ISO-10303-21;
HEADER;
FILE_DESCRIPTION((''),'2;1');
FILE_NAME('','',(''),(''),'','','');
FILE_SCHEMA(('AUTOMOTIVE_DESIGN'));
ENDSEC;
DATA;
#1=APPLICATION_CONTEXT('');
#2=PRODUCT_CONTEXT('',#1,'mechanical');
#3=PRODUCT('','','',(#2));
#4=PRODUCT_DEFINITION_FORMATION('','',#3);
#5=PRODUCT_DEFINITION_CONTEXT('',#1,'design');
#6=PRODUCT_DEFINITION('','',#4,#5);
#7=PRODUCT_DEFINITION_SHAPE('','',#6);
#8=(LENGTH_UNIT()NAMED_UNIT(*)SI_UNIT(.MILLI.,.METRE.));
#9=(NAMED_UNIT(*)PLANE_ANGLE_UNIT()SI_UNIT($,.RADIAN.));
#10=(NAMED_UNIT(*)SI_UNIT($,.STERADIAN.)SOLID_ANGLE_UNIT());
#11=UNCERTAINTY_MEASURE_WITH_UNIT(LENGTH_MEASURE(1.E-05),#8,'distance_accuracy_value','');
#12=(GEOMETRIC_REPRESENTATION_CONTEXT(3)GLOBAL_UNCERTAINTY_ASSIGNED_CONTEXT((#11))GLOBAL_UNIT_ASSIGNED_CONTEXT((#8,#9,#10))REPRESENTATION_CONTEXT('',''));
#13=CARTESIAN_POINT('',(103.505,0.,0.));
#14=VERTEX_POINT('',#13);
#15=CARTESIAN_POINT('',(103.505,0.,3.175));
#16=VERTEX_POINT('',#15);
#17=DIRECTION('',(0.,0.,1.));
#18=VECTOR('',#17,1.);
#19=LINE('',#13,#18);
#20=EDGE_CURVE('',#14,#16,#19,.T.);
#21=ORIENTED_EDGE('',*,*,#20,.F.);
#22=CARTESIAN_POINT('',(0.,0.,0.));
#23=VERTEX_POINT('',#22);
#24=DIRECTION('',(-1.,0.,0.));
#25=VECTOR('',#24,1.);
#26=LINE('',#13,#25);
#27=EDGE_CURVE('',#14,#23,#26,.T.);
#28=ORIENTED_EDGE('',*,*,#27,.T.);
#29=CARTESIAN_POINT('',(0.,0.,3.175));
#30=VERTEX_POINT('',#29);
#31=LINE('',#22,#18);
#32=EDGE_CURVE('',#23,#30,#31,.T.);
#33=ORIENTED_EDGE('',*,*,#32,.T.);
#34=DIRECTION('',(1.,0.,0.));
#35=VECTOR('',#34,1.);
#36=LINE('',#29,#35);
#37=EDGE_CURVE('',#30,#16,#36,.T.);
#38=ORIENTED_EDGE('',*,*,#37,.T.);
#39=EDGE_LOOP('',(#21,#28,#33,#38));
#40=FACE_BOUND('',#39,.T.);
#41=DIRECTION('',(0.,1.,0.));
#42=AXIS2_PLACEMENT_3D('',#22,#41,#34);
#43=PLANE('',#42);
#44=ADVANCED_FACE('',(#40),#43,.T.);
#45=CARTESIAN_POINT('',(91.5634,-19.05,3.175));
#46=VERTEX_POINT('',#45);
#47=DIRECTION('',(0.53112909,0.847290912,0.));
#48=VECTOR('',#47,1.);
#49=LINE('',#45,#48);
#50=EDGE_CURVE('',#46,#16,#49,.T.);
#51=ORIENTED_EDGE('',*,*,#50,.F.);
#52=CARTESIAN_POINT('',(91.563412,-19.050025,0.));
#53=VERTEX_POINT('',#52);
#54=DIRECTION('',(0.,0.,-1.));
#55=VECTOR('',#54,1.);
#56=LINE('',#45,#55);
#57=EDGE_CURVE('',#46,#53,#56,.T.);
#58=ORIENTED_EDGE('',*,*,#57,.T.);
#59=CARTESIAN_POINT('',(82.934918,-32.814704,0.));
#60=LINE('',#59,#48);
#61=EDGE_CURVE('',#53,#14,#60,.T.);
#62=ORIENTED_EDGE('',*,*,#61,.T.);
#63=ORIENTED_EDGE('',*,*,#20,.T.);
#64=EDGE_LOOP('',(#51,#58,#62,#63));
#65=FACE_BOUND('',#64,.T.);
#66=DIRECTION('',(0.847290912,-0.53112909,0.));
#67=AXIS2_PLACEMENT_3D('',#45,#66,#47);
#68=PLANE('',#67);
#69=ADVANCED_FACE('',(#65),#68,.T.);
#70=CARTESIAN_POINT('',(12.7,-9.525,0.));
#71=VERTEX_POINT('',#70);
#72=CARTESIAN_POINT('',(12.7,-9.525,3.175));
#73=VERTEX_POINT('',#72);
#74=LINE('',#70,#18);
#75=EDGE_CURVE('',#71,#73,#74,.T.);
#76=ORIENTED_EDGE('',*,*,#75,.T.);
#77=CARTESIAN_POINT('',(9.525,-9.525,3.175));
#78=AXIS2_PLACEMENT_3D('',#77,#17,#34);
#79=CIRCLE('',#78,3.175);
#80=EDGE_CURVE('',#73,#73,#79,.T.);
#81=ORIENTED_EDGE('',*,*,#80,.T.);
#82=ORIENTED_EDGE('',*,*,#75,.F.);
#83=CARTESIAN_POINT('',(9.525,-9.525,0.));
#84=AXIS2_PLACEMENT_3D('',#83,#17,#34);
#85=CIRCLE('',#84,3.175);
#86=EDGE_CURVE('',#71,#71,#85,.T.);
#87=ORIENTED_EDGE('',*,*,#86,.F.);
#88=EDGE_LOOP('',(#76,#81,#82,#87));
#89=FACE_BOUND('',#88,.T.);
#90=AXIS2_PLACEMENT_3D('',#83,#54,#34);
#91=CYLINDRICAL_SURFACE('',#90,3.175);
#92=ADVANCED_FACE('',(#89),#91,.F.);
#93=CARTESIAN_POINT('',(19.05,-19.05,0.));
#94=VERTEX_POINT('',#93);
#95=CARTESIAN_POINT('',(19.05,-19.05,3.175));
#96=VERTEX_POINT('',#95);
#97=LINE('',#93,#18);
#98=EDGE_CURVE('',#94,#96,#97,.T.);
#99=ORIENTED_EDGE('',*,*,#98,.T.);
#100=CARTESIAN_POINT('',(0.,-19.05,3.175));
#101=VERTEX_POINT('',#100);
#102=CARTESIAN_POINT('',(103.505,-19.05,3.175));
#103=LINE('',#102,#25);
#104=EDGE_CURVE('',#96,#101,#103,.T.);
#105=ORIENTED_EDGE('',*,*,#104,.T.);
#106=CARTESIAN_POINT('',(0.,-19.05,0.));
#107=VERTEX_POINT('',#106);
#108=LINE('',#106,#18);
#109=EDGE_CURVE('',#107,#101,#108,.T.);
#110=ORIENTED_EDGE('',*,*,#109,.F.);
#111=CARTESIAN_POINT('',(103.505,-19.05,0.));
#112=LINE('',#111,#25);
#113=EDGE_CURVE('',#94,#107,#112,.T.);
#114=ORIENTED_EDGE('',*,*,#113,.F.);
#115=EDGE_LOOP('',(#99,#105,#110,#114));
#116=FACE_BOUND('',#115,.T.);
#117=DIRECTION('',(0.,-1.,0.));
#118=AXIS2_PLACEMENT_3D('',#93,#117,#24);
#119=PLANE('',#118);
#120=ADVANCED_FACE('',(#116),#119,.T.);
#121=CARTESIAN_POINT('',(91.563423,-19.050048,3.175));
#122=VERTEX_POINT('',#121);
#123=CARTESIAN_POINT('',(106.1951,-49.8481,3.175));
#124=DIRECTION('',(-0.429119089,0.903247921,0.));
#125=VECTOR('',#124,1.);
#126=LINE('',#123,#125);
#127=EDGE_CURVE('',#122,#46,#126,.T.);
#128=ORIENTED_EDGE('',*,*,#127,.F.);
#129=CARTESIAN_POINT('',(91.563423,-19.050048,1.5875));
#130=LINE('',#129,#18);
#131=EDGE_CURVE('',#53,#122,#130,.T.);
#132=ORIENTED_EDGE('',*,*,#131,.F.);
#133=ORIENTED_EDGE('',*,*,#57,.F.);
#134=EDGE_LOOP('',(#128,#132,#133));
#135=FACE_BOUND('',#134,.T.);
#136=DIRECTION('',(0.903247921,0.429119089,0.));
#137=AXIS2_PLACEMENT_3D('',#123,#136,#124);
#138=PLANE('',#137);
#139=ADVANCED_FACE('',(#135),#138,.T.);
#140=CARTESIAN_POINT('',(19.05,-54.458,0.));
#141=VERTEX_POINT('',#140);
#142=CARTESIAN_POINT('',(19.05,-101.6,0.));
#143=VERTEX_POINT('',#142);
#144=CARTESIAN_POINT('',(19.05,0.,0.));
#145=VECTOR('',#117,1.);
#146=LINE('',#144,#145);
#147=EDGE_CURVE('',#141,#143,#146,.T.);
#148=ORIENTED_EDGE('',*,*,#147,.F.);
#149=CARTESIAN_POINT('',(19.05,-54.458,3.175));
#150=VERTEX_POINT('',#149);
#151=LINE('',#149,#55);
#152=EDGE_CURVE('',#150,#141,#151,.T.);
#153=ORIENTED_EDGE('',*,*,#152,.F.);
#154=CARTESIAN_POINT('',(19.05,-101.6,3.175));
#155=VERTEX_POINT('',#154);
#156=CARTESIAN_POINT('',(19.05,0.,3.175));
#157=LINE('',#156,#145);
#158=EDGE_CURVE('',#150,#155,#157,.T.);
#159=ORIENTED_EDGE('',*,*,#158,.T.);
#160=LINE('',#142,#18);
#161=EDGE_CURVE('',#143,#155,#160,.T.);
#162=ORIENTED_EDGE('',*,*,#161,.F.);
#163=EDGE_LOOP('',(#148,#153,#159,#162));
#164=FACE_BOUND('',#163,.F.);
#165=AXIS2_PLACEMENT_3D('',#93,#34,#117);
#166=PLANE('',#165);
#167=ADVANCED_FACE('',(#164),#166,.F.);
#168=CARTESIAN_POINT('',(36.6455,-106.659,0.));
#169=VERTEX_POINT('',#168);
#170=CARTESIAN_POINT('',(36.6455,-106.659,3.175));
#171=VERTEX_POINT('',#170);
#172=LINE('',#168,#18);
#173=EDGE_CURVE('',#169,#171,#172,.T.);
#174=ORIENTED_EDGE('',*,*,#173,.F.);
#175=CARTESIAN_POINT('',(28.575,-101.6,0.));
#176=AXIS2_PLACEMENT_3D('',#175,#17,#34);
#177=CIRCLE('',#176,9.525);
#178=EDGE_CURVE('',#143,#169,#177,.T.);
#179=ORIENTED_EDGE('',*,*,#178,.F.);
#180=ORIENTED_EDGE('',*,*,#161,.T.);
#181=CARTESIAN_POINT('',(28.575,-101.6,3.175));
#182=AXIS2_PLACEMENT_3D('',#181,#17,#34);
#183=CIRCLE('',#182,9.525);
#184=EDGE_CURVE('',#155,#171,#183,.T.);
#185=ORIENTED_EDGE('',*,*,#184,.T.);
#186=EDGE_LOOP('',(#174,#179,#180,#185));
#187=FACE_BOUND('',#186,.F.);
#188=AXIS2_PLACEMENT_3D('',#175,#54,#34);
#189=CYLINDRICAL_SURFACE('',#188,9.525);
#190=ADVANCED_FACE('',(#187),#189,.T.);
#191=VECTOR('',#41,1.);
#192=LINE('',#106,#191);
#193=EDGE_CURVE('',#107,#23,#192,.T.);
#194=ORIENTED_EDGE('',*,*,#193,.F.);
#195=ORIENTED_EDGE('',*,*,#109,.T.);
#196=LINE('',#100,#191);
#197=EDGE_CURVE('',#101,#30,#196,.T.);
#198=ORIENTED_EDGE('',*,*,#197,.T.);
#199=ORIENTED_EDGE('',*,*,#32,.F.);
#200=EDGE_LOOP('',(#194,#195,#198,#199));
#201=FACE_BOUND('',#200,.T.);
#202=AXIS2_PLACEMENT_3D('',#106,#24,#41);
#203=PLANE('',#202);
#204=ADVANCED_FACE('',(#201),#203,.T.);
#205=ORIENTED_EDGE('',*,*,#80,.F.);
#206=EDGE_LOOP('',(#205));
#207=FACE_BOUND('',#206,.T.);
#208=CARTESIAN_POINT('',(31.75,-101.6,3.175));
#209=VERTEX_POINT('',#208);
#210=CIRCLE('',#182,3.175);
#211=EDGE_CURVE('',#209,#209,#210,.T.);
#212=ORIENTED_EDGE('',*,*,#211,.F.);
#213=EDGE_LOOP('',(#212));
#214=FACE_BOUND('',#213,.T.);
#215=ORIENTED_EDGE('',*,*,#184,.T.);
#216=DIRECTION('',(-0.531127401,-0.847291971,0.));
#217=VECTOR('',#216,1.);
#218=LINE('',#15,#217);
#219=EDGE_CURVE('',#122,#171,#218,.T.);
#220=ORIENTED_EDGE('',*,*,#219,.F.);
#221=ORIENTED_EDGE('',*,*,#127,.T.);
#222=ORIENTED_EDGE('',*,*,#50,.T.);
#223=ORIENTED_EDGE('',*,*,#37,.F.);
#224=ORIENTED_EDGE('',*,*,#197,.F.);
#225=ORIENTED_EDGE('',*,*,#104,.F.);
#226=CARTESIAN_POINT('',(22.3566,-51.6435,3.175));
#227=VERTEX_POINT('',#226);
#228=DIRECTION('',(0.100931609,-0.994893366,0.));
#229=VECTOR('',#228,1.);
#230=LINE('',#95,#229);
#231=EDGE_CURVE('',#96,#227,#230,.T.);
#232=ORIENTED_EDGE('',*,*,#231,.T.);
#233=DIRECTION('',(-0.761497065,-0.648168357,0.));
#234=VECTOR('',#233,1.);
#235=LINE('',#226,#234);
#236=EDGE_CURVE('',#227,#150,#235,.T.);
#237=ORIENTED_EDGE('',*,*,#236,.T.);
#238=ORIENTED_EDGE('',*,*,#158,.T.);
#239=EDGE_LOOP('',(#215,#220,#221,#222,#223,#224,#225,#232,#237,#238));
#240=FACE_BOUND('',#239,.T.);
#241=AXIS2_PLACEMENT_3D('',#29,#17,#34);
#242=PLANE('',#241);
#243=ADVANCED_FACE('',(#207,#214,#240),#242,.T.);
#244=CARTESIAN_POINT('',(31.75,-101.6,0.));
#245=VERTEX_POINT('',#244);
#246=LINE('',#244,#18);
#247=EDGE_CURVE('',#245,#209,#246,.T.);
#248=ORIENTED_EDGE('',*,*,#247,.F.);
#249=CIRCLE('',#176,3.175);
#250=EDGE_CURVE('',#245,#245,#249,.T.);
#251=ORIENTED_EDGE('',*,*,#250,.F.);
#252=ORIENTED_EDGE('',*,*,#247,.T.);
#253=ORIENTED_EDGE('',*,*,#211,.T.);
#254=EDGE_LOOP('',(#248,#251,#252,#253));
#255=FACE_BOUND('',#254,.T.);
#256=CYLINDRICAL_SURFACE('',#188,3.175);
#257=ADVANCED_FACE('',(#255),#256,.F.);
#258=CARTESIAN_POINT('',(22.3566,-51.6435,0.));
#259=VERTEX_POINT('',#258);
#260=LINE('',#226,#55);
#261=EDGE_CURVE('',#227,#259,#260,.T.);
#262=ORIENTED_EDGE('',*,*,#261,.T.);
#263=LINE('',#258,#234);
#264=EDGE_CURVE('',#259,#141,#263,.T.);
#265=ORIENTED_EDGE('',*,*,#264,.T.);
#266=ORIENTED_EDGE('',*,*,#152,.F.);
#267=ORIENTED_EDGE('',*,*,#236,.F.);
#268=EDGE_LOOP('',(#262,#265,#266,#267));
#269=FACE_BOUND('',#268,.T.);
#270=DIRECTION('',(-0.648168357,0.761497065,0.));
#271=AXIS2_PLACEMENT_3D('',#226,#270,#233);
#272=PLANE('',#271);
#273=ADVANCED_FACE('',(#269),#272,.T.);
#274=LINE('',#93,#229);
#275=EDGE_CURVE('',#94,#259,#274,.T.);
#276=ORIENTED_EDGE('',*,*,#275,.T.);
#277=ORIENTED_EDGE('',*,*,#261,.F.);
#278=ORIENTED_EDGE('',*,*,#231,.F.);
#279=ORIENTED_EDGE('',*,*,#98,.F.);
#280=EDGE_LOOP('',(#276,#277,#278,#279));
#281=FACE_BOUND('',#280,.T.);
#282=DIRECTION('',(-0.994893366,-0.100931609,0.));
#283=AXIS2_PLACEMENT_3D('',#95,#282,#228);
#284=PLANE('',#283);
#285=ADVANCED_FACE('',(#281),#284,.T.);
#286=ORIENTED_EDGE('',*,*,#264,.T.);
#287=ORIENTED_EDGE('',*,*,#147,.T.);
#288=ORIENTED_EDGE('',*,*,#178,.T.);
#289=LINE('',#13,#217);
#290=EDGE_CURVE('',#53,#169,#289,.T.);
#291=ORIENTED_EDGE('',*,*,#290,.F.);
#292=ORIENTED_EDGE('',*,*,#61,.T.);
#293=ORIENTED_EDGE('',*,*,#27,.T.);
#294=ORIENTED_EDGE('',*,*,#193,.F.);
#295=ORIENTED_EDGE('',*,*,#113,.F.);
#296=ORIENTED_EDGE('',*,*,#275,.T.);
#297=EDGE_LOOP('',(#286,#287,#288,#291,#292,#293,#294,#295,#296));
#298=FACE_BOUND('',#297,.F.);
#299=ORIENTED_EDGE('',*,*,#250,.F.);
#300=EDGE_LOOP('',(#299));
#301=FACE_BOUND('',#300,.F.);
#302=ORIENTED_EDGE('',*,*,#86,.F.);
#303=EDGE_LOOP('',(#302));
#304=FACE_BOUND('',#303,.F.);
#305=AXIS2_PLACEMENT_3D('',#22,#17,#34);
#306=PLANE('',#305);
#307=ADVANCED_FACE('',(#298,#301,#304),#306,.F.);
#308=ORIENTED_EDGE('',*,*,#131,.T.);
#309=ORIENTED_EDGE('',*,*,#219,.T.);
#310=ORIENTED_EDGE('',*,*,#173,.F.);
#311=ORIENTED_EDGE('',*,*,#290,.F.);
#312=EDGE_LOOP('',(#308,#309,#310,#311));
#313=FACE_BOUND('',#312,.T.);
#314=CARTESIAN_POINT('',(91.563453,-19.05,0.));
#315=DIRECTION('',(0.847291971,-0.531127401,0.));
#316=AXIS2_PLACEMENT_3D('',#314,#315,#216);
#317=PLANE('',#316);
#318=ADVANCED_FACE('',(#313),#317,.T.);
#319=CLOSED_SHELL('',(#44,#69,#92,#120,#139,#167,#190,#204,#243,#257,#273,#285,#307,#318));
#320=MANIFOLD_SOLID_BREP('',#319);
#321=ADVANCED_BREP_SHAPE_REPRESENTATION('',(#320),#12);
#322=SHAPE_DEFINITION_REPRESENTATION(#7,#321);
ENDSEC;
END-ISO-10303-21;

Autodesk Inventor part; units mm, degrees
ref_plane "YZ Plane" through (0, 0, 0) normal (1, 0, 0) x (0, 1, 0)
ref_plane "XZ Plane" through (0, 0, 0) normal (0, 1, 0) x (-1, 0, 0)
ref_plane "XY Plane" through (0, 0, 0) normal (0, 0, 1) x (1, 0, 0)
sketch "Sketch1" plane through (0, 0, 0) normal (0, 0, 1) x (1, 0, 0)
  line L0 (0, 0) -> (103.505, 0)
  line L1 (103.505, 0) -> (103.505, -19.05)
  line L2 (103.505, -19.05) -> (0, -19.05)
  line L3 (0, -19.05) -> (0, 0)
  line L4 (19.05, 0) -> (19.05, -101.6)
  circle A0 centre (28.575, -101.6) radius 9.525
  line L5 (103.505, 0) -> (36.6455, -106.659)
  circle A1 centre (28.575, -101.6) radius 3.175
  circle A2 centre (9.525, -9.525) radius 3.175
  dimension "d0" = 103.505
  dimension "d1" = 19.05
  dimension "d2" = 101.6
  dimension "d3" = 6.35
  dimension "d4" = 6.35
extrude "Extrusion1" add sketch "Sketch1" along normal blind 3.175
sketch "Sketch2" plane through (0, 0, 3.175) normal (0, 0, 1) x (1, 0, 0)
  line L0 (91.5634, -19.05) -> (103.505, 0)
  line L1 (103.505, 0) -> (141.6118, -29.0679)
  line L2 (141.6118, -29.0679) -> (106.1951, -49.8481)
  line L3 (106.1951, -49.8481) -> (91.5634, -19.05)
  point P0 (0, 0)
extrude "Extrusion2" cut sketch "Sketch2" against normal blind 6.35
sketch "Sketch3" plane through (0, 0, 3.175) normal (0, 0, 1) x (1, 0, 0)
  line L0 (19.05, -19.05) -> (22.3566, -51.6435)
  line L1 (22.3566, -51.6435) -> (19.05, -54.458)
  line L2 (19.05, -54.458) -> (19.05, -19.05)
  line L3 (0, -19.05) -> (19.05, -19.05) projected
  point P0 (0, 0)
extrude "Extrusion3" cut sketch "Sketch3" against normal blind 3.175
properties part number "Elevator Latch"
